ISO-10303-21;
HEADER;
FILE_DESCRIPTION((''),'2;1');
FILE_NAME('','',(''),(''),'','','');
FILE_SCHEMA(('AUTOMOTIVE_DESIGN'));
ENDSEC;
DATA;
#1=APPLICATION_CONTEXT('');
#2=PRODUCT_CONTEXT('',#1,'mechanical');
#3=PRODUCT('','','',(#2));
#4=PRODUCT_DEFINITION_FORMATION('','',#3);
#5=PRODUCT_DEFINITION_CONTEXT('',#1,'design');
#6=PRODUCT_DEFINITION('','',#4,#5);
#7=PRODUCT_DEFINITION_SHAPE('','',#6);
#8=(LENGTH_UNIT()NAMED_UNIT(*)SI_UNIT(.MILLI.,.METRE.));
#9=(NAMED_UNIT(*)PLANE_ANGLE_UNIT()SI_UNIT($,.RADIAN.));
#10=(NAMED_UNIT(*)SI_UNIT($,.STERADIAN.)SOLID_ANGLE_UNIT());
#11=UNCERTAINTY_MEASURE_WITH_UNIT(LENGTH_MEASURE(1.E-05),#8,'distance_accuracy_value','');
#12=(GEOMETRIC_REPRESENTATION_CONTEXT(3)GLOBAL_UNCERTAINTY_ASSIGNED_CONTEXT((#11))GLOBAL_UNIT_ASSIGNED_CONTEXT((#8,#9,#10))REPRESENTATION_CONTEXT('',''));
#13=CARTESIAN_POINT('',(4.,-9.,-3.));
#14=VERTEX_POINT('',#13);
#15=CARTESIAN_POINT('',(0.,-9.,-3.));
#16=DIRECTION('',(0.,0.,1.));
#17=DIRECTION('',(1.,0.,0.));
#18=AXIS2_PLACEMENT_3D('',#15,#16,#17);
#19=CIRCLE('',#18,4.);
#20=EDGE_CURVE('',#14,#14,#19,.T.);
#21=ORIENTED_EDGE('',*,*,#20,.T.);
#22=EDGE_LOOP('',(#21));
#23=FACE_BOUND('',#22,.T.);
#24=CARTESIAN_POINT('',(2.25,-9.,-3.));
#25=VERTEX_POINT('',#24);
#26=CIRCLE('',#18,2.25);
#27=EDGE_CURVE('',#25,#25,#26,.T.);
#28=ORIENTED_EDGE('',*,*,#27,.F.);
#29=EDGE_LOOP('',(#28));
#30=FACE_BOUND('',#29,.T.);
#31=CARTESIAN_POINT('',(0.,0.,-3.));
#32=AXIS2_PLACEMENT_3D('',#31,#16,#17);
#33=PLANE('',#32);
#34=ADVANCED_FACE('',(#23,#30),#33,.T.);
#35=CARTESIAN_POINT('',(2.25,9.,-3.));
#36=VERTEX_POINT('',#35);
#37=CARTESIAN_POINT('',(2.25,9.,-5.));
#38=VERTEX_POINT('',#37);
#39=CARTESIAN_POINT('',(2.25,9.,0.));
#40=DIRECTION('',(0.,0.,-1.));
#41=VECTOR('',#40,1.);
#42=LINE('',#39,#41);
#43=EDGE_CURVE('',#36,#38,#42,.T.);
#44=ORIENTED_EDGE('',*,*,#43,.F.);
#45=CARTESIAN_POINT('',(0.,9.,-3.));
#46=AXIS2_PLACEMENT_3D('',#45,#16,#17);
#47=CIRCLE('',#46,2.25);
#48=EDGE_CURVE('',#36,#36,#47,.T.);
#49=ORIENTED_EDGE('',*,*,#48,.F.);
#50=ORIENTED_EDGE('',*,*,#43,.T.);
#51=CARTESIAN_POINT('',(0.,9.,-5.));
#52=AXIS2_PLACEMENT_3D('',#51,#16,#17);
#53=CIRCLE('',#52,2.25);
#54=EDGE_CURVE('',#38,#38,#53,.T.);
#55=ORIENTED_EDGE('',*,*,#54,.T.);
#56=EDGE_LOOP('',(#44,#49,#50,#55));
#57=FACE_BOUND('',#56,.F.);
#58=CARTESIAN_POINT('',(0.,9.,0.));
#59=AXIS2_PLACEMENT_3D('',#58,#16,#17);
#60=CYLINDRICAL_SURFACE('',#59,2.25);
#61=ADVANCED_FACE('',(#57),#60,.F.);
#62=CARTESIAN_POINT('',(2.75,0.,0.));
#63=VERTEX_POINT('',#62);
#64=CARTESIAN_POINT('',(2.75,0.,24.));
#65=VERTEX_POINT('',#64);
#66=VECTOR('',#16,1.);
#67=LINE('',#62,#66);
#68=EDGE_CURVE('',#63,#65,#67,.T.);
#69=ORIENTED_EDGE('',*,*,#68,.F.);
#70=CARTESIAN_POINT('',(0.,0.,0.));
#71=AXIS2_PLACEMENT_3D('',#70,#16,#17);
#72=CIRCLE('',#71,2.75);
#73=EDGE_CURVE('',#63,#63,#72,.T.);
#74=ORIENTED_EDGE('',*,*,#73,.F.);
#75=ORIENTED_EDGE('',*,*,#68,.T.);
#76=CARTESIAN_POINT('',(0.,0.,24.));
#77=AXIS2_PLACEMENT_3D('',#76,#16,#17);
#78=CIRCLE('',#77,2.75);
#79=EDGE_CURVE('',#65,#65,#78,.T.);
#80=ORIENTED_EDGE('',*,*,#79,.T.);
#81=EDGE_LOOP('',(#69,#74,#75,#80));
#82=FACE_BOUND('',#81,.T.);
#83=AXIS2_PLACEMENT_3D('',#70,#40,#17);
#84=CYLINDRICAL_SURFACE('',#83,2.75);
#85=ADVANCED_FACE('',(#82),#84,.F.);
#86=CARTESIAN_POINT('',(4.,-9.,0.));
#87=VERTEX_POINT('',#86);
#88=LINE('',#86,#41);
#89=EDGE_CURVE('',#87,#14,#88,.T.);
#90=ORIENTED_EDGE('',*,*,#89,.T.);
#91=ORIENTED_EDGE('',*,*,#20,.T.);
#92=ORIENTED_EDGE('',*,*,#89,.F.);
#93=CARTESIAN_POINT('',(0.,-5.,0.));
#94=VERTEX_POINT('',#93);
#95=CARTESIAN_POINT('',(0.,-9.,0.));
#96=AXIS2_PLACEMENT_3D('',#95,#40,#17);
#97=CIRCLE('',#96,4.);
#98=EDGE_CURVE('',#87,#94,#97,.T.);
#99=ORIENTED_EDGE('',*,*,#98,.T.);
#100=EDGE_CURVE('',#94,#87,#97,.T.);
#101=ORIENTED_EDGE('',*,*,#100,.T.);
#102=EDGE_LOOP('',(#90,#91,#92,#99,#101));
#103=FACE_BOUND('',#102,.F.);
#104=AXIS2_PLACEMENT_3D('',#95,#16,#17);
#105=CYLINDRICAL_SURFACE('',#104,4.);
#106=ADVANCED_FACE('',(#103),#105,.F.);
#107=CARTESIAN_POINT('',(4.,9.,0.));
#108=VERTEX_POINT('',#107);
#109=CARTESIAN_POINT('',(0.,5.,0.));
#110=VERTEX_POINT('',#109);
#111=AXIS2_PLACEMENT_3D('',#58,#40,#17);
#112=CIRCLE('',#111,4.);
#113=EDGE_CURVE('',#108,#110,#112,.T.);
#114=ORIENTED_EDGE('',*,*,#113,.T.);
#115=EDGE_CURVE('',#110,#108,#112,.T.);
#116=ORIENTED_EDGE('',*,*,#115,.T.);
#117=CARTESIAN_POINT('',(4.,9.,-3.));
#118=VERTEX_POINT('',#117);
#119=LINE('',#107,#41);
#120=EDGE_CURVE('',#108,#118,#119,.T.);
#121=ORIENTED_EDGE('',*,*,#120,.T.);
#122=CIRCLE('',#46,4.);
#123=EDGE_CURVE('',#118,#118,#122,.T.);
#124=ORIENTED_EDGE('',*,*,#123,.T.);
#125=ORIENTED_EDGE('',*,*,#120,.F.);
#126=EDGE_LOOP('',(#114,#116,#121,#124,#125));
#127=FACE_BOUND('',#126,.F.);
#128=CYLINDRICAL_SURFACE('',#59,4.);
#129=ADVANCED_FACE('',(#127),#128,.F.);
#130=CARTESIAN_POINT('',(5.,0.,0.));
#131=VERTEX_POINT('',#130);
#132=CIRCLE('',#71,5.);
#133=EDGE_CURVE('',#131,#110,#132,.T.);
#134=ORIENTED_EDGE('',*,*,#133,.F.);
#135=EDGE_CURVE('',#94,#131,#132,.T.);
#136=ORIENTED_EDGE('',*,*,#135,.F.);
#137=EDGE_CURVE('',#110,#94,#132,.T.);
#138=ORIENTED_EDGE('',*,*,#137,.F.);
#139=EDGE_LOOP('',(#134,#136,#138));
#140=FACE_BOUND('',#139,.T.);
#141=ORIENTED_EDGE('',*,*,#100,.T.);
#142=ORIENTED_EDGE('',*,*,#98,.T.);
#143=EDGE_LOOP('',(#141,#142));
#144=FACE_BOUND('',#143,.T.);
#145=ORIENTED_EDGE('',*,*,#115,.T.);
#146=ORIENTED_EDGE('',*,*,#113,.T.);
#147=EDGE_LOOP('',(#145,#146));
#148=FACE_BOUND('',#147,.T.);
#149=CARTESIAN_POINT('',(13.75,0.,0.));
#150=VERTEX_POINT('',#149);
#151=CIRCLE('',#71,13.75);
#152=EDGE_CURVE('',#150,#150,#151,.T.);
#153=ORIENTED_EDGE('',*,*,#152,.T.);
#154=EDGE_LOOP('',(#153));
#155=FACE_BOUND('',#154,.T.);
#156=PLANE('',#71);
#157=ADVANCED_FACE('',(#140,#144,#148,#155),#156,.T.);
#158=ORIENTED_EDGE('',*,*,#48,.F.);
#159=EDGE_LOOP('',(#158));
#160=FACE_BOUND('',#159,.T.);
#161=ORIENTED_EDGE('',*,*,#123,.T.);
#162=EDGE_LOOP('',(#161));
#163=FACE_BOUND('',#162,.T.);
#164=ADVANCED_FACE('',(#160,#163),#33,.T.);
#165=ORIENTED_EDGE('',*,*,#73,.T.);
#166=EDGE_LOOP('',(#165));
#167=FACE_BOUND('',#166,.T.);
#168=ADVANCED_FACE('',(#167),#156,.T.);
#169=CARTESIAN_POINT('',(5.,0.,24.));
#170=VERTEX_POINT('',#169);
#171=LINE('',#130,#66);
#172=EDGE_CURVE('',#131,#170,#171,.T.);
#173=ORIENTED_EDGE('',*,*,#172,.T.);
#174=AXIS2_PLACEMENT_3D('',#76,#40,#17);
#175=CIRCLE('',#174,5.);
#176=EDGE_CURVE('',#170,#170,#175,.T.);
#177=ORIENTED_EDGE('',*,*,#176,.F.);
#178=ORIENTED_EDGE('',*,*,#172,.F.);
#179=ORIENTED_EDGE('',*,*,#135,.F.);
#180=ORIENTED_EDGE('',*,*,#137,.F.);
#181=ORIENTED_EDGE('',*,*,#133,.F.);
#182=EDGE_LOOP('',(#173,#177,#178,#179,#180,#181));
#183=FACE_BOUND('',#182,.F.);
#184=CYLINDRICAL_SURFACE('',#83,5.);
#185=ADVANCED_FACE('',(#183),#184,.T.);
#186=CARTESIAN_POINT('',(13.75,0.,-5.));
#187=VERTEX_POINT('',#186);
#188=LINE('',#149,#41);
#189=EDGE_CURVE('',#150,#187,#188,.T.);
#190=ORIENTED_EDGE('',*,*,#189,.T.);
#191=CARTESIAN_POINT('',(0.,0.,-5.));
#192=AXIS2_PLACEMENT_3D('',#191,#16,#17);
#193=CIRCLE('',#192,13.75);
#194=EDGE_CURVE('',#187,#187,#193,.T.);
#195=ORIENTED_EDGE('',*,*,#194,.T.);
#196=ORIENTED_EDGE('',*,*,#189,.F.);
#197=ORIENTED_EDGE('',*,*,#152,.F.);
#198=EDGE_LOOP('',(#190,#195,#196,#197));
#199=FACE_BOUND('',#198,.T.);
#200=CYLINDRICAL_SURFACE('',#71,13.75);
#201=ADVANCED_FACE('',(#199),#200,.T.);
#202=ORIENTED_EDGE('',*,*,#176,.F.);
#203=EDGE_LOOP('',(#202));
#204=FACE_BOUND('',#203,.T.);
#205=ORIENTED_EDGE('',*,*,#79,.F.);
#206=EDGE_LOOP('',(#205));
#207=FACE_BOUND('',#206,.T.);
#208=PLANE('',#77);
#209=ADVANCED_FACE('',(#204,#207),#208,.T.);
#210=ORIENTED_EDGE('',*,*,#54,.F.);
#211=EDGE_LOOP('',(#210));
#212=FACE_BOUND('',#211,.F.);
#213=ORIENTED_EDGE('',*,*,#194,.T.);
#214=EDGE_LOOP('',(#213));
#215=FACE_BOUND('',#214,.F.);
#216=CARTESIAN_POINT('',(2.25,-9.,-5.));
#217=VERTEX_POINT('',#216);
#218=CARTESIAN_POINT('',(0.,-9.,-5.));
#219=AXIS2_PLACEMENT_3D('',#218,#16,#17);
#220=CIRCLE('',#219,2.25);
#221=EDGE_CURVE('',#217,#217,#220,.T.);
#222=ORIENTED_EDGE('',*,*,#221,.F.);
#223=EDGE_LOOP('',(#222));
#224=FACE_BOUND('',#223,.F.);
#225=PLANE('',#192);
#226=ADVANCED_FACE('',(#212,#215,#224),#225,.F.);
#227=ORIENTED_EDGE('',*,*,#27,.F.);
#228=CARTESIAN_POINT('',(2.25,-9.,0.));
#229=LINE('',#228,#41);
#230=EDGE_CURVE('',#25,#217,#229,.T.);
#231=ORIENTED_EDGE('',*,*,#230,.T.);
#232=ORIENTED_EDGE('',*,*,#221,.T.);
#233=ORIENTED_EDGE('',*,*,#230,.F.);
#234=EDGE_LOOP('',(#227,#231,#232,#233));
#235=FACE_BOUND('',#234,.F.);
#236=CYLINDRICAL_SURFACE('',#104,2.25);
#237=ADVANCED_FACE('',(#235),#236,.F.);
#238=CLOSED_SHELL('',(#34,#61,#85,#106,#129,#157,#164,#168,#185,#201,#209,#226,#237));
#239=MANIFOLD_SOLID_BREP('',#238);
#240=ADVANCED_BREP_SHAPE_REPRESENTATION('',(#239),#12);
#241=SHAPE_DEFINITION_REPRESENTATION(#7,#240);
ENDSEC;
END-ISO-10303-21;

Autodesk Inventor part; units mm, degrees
ref_plane "YZ Plane" through (0, 0, 0) normal (1, 0, 0) x (0, 1, 0)
ref_plane "XZ Plane" through (0, 0, 0) normal (0, 1, 0) x (-1, 0, 0)
ref_plane "XY Plane" through (0, 0, 0) normal (0, 0, 1) x (1, 0, 0)
sketch "Skizze1" plane through (0, 0, 0) normal (0, 0, 1) x (1, 0, 0)
  circle A0 centre (0, 0) radius 13.75
  circle A1 centre (0, 0) radius 5
  line L0 (0, 13.75) -> (0, -13.75) construction
  circle A2 centre (0, 9) radius 4
  circle A3 centre (0, 9) radius 2.25
  circle A4 centre (0, -9) radius 4
  circle A5 centre (0, -9) radius 2.25
  line L1 (-13.75, 0) -> (13.75, 0) construction
  circle A6 centre (0, 0) radius 2.75
  circle A7 centre (0, 0) radius 3.5
  dimension "d0" = 27.5
  dimension "d1" = 10
  dimension "d4" = 8
  dimension "d5" = 18
  dimension "d6" = 4.5
  dimension "d7" = 5.5
  dimension "d14" = 7
extrude "Extrusion1" add sketch "Skizze1" against normal blind 5 contours A0 | A1 | A4 | A2 | A6 | A7
extrude "Extrusion2" cut sketch "Skizze1" against normal blind 3 contours A4 | A2
extrude "Extrusion3" add sketch "Skizze1" along normal blind 24 contours A1
extrude "Extrusion4" add sketch "Skizze1" along normal blind 24 contours A7
properties part number "Schalter_Basis_rund"
